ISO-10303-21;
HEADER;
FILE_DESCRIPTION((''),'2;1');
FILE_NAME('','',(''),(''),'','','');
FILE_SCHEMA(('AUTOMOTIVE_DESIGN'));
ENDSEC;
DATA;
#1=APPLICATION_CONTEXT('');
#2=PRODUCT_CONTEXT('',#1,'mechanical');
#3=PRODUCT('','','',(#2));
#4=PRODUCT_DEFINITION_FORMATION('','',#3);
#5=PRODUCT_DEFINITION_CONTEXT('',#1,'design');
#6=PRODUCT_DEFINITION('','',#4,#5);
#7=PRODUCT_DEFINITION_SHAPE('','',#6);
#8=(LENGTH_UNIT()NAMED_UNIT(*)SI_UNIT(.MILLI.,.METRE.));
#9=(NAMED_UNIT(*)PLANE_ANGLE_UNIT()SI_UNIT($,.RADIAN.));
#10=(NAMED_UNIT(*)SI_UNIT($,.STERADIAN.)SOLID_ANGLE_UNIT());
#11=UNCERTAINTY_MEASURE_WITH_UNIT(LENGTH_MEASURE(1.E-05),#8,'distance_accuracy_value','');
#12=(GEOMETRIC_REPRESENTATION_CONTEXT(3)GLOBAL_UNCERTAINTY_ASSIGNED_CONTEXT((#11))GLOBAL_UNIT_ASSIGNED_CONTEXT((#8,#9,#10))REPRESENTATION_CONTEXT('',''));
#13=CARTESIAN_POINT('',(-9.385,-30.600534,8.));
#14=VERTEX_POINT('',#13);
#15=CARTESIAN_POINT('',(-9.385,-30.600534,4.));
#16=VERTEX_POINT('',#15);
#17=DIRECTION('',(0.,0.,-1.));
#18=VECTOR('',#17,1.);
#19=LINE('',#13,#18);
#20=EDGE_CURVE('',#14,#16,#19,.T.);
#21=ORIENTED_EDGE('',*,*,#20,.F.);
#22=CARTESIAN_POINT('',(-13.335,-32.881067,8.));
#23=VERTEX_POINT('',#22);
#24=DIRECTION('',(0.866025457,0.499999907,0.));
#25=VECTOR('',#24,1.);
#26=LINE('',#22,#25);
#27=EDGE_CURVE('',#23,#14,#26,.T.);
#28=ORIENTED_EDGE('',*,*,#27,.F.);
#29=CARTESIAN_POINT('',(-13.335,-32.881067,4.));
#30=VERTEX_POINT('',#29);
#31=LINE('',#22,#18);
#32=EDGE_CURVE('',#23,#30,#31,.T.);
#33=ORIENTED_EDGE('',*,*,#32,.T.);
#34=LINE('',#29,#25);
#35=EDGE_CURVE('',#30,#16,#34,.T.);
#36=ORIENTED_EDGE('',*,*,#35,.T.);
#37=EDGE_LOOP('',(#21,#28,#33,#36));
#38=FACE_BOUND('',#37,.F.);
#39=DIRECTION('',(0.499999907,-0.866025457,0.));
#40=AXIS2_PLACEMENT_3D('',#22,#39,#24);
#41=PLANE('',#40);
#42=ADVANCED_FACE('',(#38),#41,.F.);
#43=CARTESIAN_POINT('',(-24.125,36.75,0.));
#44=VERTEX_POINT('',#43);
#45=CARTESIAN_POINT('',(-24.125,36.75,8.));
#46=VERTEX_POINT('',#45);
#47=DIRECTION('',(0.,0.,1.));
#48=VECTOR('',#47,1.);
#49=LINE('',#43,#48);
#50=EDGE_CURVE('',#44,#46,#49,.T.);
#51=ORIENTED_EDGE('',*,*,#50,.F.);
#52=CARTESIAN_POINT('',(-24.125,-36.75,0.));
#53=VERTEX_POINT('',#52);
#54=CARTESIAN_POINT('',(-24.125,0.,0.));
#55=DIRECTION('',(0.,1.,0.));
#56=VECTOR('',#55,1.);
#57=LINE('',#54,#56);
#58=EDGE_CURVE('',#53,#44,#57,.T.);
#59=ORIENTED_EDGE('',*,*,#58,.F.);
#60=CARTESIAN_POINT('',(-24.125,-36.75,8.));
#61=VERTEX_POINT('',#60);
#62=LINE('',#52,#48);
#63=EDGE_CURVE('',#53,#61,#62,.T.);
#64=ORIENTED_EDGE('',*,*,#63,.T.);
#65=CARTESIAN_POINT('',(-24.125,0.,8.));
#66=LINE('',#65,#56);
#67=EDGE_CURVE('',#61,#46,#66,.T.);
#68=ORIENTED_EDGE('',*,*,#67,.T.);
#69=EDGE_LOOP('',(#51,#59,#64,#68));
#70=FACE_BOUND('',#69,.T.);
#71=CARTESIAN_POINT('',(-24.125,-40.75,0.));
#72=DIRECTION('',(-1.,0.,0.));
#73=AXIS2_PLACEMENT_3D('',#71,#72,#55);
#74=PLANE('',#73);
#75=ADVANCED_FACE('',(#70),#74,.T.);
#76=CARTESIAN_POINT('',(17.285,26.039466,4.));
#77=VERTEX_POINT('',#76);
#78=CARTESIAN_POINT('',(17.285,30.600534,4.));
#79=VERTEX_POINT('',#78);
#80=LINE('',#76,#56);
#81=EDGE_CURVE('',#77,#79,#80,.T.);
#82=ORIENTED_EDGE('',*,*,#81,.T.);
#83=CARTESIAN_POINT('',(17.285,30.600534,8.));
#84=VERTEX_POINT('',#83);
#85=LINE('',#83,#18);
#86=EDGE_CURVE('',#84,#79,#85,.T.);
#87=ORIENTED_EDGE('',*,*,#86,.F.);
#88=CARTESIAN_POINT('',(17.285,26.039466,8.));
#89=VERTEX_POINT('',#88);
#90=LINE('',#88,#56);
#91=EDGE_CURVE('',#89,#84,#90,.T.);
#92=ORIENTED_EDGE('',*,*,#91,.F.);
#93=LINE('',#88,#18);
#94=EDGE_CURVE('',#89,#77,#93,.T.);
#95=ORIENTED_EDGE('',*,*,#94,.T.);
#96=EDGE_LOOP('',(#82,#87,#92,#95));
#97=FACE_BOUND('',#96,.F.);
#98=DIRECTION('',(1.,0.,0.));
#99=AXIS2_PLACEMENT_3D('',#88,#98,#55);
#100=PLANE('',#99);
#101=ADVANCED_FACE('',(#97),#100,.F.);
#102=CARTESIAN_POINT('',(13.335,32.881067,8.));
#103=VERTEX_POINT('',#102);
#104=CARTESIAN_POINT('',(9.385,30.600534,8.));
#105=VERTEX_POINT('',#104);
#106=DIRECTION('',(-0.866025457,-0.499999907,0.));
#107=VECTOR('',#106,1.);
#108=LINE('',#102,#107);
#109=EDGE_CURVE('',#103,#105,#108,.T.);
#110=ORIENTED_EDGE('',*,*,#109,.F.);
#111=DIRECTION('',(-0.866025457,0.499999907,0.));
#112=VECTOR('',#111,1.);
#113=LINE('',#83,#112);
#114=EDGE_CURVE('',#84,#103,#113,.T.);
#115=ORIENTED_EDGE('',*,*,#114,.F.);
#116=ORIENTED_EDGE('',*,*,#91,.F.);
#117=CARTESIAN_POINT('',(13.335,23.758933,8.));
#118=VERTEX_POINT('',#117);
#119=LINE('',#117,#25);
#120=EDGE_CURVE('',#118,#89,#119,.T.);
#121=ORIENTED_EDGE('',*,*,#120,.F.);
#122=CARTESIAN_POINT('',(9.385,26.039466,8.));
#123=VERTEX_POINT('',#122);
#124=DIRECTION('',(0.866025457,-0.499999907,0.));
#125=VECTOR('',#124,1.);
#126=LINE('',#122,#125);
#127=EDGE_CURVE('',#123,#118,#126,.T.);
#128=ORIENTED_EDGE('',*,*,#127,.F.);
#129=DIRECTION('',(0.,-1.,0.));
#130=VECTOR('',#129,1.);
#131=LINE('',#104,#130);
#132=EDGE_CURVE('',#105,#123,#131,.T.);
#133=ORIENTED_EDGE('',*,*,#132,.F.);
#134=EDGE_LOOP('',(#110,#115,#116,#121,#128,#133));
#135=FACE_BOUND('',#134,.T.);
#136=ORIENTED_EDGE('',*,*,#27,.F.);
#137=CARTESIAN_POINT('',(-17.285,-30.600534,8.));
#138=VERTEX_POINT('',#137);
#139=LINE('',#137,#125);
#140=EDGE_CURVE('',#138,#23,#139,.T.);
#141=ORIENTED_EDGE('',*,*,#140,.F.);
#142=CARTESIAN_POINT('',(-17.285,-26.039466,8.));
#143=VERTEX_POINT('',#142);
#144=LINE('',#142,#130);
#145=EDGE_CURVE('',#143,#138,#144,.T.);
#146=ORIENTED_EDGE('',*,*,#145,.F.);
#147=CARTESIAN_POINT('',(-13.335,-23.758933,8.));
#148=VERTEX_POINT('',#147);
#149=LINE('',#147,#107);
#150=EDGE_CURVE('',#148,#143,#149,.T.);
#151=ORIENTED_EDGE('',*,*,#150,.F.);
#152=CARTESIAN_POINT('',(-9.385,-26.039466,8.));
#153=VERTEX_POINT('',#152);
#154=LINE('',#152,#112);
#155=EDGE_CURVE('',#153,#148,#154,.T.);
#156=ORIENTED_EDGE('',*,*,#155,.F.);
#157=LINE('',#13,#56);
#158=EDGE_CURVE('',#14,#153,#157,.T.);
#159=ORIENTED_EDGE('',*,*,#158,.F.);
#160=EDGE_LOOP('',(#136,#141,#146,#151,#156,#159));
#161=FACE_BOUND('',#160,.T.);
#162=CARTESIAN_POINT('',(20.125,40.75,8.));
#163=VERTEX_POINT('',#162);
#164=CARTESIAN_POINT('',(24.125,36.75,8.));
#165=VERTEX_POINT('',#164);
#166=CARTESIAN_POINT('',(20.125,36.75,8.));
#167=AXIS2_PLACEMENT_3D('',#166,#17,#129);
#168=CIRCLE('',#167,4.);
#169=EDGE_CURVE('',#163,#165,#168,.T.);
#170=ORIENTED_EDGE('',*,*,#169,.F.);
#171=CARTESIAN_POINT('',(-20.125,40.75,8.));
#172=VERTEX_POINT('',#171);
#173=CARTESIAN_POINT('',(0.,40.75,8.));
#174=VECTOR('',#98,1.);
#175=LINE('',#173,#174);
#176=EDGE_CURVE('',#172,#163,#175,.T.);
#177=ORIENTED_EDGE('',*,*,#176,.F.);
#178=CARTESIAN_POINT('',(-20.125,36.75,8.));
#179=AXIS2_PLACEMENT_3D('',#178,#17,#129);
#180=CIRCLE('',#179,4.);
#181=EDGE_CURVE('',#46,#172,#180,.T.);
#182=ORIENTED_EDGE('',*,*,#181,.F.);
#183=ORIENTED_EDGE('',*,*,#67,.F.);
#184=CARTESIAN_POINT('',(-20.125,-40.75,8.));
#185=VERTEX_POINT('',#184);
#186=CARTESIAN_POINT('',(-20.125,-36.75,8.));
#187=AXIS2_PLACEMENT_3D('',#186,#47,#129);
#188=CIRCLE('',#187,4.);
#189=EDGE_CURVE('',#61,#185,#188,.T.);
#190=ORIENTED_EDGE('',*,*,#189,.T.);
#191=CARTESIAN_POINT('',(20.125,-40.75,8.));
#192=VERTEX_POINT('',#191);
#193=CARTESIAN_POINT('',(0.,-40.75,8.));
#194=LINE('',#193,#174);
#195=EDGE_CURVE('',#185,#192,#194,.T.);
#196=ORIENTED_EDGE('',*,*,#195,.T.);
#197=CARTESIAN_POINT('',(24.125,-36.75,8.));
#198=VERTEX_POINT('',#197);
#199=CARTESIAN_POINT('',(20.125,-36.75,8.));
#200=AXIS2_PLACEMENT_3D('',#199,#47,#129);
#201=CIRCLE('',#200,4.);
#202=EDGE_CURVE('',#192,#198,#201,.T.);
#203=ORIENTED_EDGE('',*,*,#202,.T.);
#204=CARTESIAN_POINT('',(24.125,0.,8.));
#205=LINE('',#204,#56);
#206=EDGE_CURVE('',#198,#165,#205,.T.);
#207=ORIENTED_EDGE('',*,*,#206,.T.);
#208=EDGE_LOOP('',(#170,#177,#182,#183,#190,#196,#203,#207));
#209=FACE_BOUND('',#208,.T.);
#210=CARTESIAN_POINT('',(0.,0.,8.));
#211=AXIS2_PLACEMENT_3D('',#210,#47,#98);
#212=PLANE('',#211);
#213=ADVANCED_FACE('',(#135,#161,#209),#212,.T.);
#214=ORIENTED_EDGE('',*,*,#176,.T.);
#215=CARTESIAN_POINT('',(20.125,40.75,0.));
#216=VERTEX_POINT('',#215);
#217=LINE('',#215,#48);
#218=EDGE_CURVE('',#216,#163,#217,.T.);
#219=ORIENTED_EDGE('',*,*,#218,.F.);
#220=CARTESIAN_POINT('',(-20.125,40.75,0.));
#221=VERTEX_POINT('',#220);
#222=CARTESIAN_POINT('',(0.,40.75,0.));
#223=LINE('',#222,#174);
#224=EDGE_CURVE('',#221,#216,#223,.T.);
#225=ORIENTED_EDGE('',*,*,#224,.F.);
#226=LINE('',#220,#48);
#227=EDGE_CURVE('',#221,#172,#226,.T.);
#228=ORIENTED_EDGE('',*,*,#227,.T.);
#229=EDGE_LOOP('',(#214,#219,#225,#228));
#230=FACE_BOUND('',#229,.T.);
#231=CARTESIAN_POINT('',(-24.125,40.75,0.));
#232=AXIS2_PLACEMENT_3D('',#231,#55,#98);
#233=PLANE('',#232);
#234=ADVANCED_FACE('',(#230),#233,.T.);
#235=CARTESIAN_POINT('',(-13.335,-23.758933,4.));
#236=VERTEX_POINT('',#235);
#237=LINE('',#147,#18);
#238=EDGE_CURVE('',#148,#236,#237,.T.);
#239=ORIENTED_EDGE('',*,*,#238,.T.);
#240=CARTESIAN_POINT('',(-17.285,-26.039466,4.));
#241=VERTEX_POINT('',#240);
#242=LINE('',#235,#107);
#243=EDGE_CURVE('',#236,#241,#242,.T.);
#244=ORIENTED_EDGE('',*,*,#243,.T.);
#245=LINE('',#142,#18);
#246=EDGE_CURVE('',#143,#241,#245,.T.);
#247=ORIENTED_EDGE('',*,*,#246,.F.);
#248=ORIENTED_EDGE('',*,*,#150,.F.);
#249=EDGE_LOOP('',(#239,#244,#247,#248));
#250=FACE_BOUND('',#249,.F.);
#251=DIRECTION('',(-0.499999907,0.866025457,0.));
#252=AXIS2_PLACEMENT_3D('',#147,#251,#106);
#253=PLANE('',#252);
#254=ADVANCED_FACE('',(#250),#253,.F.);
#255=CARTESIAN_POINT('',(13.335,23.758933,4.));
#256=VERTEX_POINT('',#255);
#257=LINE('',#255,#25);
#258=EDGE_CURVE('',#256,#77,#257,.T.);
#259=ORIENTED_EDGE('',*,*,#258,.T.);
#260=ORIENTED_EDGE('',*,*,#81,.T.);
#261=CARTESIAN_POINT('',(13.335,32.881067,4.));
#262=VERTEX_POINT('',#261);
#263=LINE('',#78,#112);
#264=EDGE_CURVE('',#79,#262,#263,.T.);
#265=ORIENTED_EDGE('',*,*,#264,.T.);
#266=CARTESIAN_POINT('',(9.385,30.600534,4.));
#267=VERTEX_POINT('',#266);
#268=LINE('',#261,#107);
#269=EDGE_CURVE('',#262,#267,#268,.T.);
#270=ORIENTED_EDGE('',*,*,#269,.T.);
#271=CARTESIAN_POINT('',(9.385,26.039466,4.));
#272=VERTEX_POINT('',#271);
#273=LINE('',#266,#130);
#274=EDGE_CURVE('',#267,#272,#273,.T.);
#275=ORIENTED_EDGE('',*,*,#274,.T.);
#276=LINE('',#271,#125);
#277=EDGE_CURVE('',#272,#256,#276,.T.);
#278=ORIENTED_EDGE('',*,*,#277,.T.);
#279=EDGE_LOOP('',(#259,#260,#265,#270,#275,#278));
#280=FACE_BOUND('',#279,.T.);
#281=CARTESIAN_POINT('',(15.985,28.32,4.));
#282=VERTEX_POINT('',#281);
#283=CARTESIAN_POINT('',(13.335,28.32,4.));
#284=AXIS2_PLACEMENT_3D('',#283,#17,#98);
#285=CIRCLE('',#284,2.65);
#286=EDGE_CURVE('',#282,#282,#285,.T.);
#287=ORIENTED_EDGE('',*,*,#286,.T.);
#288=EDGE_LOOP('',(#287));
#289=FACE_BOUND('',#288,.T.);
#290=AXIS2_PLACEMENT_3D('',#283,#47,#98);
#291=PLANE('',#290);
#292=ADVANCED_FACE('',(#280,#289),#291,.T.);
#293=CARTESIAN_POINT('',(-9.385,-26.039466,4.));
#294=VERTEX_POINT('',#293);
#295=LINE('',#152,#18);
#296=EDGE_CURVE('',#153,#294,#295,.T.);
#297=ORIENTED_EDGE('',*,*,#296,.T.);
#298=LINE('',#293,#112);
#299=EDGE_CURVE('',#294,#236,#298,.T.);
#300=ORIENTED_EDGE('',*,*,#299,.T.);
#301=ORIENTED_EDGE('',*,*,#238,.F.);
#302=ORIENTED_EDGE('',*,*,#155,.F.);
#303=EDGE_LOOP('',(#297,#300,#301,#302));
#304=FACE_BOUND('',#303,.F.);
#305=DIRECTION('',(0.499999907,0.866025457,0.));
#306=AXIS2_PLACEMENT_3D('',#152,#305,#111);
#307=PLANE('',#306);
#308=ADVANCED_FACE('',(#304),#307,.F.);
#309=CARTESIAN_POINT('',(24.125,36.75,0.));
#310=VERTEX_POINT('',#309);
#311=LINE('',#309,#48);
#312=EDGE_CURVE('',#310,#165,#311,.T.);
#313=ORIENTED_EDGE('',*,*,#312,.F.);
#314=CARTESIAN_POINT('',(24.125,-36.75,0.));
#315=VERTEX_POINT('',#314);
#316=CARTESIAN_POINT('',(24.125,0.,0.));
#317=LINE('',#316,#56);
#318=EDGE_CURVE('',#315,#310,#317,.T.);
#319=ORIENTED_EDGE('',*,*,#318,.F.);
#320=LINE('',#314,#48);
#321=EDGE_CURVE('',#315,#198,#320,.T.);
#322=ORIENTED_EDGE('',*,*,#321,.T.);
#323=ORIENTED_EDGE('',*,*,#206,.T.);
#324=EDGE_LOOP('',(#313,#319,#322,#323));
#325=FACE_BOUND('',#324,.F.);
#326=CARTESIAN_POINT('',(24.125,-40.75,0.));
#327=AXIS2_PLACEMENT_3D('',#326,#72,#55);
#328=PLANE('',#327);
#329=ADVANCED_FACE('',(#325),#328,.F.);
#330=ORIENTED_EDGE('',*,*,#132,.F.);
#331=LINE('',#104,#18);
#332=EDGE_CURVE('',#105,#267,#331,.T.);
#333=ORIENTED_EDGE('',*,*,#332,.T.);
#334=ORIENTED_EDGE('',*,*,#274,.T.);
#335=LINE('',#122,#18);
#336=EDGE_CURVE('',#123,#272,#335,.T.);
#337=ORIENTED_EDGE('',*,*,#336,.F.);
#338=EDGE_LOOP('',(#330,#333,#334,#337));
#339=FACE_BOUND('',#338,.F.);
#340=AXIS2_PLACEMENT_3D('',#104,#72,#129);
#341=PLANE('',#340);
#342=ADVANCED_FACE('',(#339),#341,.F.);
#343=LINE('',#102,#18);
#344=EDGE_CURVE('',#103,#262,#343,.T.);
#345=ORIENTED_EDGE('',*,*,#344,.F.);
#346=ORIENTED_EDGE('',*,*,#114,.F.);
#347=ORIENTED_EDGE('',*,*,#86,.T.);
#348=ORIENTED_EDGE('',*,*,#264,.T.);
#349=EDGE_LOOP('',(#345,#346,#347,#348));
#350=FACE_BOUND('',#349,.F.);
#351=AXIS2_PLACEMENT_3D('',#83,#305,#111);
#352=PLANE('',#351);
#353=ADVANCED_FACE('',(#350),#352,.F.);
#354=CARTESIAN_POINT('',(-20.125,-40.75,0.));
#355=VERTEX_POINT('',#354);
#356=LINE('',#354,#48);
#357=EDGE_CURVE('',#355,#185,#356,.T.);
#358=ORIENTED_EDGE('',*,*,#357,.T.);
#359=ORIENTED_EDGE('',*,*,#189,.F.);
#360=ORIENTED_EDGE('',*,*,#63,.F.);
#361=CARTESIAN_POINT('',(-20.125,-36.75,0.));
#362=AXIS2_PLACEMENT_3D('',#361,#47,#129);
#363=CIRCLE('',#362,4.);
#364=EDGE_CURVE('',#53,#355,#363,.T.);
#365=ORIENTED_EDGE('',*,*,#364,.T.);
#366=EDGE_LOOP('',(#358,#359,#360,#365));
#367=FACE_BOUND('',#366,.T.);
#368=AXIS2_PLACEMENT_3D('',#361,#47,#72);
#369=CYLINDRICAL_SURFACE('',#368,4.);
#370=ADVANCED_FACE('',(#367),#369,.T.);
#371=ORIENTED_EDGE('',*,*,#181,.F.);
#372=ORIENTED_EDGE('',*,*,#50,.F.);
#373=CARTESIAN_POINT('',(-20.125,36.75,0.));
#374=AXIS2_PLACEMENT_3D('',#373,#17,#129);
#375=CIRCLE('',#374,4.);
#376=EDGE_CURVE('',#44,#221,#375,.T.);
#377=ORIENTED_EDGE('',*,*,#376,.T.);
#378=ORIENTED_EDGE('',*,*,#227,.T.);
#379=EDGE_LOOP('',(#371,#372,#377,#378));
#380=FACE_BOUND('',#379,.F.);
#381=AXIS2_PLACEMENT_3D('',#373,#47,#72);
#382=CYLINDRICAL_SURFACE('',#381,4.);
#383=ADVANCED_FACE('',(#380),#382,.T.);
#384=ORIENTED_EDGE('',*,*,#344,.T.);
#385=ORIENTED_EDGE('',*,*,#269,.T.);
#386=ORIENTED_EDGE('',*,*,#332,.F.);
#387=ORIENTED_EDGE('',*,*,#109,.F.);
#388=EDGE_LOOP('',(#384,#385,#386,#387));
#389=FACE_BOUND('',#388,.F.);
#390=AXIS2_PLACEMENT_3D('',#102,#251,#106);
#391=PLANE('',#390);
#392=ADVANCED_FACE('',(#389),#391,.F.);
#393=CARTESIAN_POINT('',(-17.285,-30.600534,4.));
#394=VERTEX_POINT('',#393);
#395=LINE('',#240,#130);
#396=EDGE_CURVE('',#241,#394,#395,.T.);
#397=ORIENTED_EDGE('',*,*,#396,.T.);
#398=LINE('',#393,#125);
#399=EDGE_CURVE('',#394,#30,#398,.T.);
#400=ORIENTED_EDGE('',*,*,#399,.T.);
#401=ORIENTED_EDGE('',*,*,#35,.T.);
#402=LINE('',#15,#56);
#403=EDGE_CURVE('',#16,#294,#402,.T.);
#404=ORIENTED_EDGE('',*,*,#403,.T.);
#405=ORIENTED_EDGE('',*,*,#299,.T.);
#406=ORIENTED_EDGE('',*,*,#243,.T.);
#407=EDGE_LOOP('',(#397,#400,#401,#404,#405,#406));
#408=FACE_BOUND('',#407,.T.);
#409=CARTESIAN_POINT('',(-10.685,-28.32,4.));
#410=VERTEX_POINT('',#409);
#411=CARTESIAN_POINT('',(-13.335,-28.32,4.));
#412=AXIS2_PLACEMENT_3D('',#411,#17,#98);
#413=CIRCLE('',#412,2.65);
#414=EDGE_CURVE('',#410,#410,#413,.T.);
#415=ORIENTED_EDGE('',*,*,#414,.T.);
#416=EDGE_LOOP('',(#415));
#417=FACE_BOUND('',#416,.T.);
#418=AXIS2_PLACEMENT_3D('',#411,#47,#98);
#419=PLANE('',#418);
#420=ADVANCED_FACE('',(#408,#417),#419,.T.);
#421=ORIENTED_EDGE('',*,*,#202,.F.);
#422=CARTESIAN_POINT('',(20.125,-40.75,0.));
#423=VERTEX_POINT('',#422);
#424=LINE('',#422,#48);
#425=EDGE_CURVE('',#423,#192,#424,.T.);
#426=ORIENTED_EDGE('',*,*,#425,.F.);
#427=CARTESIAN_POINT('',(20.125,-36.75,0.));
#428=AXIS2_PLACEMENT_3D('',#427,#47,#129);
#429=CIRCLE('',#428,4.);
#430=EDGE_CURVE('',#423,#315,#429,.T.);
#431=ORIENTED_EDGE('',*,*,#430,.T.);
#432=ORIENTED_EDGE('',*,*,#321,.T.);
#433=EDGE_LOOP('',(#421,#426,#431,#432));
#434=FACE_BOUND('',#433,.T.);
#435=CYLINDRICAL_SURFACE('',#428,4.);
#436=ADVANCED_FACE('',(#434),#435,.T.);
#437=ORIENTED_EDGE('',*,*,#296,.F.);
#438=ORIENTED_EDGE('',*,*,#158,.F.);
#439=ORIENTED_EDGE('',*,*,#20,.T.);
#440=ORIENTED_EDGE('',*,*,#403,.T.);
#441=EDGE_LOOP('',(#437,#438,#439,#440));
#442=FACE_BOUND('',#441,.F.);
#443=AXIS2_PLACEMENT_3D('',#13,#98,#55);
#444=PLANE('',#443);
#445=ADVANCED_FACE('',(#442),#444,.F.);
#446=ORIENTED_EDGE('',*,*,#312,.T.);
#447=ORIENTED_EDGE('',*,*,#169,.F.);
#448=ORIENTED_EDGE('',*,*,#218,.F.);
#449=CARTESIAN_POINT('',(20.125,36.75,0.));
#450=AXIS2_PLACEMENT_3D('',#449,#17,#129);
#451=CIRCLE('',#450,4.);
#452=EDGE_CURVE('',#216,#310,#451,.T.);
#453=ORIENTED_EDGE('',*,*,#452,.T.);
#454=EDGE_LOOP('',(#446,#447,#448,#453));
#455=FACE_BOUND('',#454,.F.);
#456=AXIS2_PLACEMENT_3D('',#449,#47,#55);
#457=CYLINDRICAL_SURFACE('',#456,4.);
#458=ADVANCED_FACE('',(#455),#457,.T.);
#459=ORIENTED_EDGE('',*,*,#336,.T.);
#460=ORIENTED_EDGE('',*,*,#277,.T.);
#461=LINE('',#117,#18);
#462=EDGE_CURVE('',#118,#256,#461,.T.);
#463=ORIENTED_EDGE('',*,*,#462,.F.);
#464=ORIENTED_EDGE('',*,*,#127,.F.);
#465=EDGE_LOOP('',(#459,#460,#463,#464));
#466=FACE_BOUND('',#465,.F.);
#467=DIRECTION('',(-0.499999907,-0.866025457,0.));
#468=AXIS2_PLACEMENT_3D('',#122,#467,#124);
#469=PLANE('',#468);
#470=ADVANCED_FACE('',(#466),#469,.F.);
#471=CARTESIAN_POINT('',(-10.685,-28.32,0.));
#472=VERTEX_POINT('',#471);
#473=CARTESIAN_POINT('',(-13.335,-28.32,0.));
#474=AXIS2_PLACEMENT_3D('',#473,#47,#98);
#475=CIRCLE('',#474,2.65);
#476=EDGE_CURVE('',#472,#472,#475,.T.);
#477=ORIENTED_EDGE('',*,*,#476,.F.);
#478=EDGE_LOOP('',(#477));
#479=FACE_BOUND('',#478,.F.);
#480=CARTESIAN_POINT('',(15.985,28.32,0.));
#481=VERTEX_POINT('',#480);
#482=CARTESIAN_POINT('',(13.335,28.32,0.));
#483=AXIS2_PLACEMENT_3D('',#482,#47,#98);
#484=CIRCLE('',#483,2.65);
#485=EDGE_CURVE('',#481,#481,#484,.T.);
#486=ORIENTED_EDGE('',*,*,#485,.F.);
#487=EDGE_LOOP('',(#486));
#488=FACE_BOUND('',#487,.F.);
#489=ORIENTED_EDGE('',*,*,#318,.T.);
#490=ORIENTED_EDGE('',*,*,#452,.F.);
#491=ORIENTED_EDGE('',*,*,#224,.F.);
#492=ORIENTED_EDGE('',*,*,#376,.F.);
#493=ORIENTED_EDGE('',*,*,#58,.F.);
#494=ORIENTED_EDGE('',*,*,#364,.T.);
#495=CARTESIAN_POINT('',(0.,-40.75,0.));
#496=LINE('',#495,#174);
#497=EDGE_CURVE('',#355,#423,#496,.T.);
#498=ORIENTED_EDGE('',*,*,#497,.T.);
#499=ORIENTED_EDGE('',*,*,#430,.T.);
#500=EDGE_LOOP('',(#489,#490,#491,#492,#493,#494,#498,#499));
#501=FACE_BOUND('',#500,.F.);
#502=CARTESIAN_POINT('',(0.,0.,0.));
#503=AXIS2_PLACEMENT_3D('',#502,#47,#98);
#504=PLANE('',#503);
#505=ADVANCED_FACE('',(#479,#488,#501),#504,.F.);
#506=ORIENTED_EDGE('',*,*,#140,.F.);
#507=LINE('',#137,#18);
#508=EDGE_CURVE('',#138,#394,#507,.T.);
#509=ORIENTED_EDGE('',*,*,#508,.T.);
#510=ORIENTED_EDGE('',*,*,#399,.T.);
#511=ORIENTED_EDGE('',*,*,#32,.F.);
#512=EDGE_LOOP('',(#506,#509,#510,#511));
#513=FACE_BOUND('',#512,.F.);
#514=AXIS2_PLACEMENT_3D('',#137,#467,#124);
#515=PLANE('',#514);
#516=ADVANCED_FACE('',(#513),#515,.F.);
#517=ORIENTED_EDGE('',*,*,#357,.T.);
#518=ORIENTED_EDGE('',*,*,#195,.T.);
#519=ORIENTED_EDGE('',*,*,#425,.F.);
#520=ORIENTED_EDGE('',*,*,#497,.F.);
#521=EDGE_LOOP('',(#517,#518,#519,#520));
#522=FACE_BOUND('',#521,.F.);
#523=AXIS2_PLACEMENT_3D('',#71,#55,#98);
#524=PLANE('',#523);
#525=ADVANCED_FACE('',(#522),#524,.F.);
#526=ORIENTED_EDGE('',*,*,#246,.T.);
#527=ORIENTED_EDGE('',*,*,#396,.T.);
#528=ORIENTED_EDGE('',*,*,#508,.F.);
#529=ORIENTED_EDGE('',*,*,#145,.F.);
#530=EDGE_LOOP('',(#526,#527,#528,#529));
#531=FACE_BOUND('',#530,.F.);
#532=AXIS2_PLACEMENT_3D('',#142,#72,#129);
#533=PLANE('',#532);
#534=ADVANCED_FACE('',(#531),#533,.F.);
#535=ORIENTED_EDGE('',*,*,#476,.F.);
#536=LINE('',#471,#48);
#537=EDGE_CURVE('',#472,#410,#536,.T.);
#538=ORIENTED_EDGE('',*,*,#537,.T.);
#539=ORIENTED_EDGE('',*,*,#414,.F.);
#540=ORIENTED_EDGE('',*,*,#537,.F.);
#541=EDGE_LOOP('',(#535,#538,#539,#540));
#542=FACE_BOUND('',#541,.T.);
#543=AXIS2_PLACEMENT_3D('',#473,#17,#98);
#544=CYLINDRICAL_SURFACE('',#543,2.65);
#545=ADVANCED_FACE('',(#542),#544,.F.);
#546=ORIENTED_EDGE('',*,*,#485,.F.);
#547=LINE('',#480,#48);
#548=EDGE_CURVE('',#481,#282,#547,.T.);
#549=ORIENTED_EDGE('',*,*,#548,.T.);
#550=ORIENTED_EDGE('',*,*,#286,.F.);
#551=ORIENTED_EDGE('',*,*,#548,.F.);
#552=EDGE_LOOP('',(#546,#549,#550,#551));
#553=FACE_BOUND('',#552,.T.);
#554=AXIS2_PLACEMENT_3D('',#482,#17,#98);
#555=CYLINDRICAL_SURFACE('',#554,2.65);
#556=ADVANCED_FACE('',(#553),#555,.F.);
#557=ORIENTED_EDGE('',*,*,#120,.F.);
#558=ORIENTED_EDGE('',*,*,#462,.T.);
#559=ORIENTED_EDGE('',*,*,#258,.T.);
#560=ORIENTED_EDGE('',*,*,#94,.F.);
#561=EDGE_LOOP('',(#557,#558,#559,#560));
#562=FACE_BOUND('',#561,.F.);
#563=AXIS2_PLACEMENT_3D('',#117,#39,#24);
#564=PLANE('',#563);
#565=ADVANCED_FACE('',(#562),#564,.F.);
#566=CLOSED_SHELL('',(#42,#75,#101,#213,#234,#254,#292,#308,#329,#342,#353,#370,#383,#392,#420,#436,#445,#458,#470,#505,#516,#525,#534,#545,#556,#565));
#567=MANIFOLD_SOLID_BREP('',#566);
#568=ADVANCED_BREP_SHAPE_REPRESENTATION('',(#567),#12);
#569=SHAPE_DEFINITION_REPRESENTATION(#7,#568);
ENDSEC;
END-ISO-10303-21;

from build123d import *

# Parameters (mm, degrees)
SKETCH_W     = 48.25
SKETCH_H     = 81.5
SKETCH_R     = 2.65
PAD_DEPTH    = 8
POCKET_DEPTH = 4
FILLET_R     = 4


with BuildPart() as part:
    # Sketch → Pad (new body)
    with BuildSketch(Plane.XY):
        Rectangle(SKETCH_W, SKETCH_H)
        with Locations((13.335, 28.32)):
            Circle(SKETCH_R, mode=Mode.SUBTRACT)
        with Locations((-13.335, -28.32)):
            Circle(SKETCH_R, mode=Mode.SUBTRACT)
    extrude(amount=PAD_DEPTH)

    # Sketch001 (on Face8 of Pad) → Pocket (cut)
    with BuildSketch(Plane.XY.offset(8)):
        Polygon((17.285, 26.039466), (17.285, 30.600534), (13.335, 32.881067), (9.385, 30.600534), (9.385, 26.039466), (13.335, 23.758933), align=None)
        Polygon((-9.385, -26.039466), (-13.335, -23.758933), (-17.285, -26.039466), (-17.285, -30.600534), (-13.335, -32.881067), (-9.385, -30.600534), align=None)
    extrude(amount=-POCKET_DEPTH, mode=Mode.SUBTRACT)

    # Fillet
    fillet_edges = [part.edges().sort_by_distance(p)[0] for p in [
        (-24.125, -40.75, 4),
        (24.125, -40.75, 4),
        (24.125, 40.75, 4),
        (-24.125, 40.75, 4),
    ]]
    fillet(fillet_edges, radius=FILLET_R)


solid = part.part
